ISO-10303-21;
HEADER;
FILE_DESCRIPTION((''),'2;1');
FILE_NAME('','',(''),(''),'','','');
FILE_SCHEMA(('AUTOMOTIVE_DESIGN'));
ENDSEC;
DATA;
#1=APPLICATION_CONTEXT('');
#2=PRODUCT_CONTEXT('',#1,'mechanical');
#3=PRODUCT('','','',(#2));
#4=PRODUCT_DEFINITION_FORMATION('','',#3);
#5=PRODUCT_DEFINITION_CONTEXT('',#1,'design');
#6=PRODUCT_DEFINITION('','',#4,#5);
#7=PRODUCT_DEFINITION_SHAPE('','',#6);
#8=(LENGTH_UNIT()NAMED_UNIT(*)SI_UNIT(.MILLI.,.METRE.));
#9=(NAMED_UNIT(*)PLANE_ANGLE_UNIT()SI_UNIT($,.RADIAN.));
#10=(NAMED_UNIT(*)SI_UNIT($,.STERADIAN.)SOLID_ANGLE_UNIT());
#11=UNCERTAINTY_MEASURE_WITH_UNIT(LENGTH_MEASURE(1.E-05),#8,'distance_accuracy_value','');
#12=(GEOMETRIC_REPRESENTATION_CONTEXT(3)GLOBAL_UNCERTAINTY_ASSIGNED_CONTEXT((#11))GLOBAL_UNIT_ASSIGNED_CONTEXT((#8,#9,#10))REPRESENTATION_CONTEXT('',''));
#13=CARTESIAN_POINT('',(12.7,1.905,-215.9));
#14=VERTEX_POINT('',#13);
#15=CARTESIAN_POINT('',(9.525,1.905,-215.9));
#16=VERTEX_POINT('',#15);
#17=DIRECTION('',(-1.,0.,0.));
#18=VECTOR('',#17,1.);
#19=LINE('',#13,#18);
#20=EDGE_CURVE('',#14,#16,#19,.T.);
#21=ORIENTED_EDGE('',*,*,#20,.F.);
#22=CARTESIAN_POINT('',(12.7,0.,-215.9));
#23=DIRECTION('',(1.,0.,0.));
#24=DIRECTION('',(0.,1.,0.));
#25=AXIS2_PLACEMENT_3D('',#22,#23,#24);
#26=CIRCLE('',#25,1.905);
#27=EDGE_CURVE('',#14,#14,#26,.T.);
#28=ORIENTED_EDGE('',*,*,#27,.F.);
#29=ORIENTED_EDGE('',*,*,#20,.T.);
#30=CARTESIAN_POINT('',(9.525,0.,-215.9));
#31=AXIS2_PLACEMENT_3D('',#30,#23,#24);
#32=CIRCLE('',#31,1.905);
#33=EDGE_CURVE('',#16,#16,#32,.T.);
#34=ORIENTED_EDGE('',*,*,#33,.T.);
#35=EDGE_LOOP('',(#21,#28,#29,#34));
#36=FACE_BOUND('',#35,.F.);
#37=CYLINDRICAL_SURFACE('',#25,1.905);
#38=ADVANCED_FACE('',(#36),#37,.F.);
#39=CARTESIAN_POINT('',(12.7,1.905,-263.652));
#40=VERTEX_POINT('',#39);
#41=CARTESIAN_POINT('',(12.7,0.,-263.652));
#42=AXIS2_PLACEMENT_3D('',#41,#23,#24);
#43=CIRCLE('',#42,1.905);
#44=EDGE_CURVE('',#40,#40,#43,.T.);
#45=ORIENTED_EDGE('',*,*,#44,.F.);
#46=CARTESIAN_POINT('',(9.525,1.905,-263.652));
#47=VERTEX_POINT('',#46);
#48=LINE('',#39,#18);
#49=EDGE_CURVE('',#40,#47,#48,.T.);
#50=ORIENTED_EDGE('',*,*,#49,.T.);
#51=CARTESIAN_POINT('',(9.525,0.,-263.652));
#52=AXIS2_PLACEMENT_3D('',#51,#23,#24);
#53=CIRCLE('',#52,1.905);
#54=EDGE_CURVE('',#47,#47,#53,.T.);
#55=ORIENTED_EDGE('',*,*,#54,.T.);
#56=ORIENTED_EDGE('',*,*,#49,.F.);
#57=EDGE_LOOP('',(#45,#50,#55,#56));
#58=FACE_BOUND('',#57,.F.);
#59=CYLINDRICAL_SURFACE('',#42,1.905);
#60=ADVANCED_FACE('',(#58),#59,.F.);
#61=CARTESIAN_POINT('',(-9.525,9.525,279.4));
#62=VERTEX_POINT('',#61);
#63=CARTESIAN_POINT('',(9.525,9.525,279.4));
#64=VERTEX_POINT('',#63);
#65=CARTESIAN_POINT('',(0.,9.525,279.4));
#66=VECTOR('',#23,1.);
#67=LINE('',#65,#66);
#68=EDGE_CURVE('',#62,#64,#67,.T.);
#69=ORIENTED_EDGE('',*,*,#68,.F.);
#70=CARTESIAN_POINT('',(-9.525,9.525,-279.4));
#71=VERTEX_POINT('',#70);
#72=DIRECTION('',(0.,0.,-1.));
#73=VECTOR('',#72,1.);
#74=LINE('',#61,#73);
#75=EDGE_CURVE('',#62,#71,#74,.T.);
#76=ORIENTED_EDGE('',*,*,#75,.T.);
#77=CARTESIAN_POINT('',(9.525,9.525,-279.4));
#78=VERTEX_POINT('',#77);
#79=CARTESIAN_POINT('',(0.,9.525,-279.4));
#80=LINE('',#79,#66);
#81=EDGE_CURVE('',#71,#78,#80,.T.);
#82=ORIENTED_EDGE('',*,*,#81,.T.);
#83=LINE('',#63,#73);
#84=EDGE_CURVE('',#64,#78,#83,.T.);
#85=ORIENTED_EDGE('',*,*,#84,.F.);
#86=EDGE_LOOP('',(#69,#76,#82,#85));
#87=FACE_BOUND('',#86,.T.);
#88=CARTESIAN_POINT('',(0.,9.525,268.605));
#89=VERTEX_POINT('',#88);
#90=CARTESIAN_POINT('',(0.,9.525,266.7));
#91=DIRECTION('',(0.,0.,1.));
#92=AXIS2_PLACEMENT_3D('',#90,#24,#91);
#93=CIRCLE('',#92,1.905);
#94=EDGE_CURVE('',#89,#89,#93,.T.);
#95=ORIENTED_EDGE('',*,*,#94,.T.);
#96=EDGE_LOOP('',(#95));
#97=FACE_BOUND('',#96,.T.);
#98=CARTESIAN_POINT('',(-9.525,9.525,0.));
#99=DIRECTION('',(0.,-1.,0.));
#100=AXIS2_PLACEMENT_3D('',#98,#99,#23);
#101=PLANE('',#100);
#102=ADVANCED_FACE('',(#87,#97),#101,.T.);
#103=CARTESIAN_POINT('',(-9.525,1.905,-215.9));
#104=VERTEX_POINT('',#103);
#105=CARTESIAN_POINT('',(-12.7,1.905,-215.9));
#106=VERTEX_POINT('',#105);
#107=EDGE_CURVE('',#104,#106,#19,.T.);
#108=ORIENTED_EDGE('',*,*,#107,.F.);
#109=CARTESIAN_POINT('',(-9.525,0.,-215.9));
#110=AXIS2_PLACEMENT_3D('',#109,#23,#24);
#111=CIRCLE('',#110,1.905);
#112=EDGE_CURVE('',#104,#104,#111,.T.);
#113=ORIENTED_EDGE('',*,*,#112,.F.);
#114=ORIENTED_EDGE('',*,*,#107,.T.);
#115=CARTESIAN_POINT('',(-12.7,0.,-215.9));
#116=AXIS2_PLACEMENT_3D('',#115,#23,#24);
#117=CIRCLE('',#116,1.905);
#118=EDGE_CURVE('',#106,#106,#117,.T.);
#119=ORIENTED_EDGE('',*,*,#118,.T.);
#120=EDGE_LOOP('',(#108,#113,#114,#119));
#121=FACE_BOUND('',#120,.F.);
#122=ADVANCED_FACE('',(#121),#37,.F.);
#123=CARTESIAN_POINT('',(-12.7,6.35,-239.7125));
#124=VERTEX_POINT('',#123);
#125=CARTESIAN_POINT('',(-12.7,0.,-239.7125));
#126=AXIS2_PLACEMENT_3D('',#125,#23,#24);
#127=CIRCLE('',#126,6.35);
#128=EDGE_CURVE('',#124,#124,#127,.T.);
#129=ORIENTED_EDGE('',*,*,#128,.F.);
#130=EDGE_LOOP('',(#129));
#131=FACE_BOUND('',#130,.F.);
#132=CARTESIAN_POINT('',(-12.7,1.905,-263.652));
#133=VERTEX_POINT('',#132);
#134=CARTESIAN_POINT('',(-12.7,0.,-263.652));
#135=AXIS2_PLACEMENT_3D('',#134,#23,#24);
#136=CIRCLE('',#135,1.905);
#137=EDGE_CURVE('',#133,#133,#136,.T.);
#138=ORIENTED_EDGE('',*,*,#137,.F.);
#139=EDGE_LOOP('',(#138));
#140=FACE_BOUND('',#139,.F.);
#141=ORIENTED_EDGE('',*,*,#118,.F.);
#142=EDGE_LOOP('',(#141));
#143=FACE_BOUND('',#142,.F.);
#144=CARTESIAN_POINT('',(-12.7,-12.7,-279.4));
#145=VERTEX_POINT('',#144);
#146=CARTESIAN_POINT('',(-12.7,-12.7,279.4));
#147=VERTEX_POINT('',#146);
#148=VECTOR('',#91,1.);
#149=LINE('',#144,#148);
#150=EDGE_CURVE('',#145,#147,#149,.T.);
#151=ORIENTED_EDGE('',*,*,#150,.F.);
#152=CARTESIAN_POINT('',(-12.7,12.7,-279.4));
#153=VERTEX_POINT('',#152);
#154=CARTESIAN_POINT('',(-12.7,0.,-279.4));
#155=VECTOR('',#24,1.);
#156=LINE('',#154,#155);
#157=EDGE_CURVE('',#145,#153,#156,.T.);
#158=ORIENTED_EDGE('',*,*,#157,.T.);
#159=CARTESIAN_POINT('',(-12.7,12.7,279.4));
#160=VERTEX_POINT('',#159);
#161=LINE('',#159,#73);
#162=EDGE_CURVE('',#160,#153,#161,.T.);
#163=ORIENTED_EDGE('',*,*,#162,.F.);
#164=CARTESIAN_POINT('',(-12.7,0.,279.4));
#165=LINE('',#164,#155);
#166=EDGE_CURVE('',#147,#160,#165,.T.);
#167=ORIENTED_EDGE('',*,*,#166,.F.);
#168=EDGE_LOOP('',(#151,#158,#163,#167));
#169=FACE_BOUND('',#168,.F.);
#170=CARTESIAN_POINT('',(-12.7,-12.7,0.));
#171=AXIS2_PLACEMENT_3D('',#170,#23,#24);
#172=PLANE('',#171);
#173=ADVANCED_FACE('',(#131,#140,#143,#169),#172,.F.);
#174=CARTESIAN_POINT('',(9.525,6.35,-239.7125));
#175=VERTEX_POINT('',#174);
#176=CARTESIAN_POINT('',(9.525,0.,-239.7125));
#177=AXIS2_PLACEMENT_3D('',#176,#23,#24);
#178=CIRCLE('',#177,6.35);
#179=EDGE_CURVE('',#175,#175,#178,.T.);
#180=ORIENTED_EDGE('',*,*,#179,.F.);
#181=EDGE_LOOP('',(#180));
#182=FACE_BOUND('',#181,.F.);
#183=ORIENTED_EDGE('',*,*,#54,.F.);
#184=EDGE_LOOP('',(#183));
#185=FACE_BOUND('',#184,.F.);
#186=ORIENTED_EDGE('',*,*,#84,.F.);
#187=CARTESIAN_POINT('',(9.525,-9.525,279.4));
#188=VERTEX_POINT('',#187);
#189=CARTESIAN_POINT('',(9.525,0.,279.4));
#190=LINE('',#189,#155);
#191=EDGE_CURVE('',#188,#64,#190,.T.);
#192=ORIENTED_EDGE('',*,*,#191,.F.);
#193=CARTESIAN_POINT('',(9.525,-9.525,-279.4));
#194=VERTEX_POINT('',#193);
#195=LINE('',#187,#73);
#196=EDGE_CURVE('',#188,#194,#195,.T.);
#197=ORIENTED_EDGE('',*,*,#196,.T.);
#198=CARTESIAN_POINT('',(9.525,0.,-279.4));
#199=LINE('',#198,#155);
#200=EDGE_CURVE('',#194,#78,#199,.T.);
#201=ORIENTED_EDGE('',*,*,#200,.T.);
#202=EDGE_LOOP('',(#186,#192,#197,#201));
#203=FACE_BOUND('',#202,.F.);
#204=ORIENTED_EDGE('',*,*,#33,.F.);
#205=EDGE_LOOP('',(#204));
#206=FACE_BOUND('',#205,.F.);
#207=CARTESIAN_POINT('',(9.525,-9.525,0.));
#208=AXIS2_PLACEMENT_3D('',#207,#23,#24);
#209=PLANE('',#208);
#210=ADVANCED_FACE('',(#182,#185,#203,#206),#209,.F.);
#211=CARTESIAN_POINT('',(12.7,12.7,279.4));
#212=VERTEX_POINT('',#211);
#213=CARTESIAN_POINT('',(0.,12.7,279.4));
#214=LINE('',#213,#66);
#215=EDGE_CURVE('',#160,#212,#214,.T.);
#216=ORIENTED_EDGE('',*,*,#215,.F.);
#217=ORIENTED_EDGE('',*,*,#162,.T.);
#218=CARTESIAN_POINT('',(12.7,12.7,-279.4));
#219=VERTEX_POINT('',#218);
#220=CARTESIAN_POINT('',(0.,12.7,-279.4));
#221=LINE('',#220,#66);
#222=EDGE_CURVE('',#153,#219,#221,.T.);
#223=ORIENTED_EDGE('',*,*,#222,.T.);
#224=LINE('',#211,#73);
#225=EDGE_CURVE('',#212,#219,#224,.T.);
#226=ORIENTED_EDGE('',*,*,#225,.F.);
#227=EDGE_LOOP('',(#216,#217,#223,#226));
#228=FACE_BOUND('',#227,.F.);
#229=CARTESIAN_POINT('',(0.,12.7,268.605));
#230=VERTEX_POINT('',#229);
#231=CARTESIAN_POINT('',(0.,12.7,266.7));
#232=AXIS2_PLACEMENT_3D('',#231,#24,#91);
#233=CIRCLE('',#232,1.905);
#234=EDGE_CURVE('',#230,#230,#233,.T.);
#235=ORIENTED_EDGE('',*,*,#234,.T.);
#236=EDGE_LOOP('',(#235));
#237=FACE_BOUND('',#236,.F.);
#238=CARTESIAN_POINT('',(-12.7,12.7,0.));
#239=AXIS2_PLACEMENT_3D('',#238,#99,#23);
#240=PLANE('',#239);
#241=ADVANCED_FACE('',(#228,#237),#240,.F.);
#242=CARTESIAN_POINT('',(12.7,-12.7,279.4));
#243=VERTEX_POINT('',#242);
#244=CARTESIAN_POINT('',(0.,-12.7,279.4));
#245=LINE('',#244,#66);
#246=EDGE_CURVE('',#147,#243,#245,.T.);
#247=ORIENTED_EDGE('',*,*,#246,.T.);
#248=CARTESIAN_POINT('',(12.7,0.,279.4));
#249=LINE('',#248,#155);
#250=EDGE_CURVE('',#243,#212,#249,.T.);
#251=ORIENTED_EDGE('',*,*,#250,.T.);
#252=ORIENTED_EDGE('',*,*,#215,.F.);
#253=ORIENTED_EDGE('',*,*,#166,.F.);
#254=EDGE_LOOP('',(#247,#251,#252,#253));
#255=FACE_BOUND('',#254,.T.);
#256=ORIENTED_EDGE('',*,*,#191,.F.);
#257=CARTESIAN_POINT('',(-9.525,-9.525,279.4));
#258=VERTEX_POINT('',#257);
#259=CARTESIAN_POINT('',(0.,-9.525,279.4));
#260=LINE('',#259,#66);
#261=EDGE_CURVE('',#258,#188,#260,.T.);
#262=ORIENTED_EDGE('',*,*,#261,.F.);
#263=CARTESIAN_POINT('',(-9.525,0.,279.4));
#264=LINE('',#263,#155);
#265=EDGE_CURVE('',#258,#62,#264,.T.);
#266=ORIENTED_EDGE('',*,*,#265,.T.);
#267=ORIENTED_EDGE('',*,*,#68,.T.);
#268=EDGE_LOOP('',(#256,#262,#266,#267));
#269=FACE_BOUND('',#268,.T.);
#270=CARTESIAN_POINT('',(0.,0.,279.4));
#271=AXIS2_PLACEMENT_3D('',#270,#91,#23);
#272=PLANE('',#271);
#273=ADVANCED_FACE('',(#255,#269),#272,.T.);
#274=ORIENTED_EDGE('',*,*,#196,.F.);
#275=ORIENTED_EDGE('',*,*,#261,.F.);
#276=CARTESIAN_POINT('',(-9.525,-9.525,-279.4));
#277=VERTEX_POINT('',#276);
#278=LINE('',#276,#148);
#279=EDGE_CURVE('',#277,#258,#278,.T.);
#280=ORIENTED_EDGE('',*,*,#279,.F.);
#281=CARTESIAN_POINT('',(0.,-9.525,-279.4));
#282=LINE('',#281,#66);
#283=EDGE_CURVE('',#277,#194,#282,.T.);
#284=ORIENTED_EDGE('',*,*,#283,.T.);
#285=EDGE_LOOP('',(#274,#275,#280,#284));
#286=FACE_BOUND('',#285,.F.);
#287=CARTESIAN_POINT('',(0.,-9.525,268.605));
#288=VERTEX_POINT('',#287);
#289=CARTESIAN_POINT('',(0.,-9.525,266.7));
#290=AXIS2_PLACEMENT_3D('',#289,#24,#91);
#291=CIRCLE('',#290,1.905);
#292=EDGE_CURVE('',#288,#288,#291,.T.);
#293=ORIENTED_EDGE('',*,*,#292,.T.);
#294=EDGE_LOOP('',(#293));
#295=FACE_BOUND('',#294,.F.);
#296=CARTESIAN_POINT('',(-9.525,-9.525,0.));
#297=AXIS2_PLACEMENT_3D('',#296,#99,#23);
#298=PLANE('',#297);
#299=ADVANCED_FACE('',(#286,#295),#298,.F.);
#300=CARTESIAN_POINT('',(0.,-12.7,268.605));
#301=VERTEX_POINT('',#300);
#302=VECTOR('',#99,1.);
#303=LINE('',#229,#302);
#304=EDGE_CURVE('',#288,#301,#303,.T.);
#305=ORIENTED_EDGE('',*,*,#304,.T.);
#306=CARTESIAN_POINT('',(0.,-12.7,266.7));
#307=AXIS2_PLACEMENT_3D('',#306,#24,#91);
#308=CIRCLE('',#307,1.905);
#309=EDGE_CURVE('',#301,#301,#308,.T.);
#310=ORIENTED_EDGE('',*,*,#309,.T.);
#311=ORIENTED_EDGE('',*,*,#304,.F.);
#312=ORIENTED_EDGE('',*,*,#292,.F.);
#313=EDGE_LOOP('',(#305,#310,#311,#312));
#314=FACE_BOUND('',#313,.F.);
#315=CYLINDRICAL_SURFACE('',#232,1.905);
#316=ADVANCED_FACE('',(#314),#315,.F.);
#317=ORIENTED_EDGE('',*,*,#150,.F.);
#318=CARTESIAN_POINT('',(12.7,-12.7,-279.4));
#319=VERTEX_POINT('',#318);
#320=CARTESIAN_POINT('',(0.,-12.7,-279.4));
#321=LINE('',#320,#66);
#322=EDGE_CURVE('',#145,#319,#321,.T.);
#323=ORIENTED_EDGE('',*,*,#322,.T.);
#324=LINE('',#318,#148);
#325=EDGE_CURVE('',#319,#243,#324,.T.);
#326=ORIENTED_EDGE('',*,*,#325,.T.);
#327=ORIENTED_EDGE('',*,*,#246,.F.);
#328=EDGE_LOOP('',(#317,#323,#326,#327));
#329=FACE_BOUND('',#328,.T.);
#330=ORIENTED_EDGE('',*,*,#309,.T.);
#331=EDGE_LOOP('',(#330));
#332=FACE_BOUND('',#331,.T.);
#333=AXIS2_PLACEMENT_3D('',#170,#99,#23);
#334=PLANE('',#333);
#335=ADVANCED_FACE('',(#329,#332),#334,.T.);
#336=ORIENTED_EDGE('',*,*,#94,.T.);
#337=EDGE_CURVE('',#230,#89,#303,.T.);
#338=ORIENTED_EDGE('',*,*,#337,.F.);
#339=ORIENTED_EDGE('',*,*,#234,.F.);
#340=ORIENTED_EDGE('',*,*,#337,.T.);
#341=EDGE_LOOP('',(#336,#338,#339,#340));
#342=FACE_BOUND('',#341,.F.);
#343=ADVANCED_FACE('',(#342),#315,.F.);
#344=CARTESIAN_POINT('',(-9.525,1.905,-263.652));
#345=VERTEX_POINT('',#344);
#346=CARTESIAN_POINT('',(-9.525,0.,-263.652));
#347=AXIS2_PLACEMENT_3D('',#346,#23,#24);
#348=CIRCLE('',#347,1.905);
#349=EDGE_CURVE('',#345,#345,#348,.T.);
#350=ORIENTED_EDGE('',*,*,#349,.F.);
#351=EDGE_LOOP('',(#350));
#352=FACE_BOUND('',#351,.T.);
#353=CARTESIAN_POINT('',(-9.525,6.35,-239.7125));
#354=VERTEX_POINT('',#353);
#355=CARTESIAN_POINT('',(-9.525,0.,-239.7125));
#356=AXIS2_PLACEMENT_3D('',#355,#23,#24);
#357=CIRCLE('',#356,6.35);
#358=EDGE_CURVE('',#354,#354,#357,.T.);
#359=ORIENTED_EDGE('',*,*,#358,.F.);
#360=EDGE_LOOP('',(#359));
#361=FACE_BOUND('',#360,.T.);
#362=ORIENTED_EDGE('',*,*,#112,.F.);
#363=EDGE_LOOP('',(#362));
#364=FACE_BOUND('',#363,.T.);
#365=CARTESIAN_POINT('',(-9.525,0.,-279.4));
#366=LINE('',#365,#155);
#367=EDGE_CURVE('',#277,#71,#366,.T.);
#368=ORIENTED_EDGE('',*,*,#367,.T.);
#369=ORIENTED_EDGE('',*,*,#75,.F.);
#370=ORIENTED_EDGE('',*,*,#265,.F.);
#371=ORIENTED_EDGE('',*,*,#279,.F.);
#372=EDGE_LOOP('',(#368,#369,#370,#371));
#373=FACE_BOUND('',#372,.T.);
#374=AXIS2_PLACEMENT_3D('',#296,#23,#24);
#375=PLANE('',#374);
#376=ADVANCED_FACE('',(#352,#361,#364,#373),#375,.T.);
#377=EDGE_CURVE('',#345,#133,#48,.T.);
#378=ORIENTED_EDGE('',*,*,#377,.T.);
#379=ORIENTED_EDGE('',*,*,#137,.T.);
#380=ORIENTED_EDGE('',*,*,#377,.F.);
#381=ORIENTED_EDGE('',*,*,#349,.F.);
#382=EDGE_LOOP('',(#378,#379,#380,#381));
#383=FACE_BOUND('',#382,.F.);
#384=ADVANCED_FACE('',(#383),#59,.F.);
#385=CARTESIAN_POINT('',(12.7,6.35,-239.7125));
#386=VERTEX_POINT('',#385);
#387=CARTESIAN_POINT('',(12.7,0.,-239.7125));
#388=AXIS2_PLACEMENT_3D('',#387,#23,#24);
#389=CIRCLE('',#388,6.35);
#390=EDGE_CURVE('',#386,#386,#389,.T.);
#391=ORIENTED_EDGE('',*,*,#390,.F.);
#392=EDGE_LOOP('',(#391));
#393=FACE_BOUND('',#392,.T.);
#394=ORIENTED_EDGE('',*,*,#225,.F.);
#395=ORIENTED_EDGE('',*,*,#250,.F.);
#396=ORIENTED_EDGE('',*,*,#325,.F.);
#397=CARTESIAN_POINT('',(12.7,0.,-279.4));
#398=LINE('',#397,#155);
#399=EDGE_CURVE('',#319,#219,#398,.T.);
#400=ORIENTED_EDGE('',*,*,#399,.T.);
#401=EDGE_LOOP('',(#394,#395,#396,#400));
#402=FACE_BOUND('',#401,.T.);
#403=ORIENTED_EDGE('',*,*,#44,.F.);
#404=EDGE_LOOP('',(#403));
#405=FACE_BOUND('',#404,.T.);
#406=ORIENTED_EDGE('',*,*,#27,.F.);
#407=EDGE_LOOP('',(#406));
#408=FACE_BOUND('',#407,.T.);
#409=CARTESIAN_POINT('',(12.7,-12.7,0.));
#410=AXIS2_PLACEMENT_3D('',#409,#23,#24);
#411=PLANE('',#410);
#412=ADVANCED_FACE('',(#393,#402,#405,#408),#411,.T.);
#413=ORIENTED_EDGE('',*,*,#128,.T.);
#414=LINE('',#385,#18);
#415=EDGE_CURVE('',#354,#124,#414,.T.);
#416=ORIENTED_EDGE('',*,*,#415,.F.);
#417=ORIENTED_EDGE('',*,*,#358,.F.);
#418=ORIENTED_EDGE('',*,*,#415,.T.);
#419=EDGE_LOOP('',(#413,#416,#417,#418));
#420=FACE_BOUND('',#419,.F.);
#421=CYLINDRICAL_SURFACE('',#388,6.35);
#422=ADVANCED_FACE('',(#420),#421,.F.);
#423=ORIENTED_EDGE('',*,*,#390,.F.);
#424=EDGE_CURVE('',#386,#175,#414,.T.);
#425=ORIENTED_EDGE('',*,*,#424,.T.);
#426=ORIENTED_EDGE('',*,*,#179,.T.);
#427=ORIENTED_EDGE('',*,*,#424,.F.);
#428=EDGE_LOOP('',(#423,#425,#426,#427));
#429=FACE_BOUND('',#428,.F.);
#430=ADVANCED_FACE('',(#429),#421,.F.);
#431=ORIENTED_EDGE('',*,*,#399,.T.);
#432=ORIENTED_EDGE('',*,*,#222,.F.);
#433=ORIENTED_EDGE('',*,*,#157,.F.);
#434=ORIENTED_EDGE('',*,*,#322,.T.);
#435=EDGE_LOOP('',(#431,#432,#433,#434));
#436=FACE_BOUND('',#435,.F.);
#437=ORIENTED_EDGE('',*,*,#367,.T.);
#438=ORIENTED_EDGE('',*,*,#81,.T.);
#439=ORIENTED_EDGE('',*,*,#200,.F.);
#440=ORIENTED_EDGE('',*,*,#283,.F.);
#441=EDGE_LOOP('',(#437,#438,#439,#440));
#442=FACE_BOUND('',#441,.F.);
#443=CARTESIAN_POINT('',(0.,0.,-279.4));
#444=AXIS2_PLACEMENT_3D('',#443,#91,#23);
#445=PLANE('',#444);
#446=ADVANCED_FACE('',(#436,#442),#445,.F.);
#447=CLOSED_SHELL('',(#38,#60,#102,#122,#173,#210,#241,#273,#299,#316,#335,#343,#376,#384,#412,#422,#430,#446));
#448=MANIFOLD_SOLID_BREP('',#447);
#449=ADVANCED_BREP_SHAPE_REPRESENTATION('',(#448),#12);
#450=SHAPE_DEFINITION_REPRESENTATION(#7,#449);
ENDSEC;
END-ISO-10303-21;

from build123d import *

# Parameters (mm, degrees)
SKETCH1_W           = 25.4
SKETCH1_H           = 25.4
SKETCH1_W_2         = 19.05
SKETCH1_H_2         = 19.05
BOSS_EXTRUDE1_DEPTH = 279.4
SKETCH7_R           = 1.905
CUT_EXTRUDE1_DEPTH  = 281.839473721
SKETCH8_R           = 1.905
SKETCH8_R_2         = 6.35
CUT_EXTRUDE2_DEPTH  = 281.839473721


with BuildPart() as part:
    # Sketch1 → Boss-Extrude1 (new, symmetric)
    with BuildSketch(Plane.XY):
        Rectangle(SKETCH1_W, SKETCH1_H)
        Rectangle(SKETCH1_W_2, SKETCH1_H_2, mode=Mode.SUBTRACT)
    extrude(amount=BOSS_EXTRUDE1_DEPTH, both=True)

    # Sketch7 → Cut-Extrude1 (cut, through all)
    with BuildSketch(Plane(origin=(0, 12.7, 0), x_dir=(1, 0, 0), z_dir=(0, 1, 0))):
        with Locations(Location((0, -266.7, 0), (0, 0, 270))):
            Circle(SKETCH7_R)
    extrude(amount=-CUT_EXTRUDE1_DEPTH, mode=Mode.SUBTRACT)

    # Sketch8 → Cut-Extrude2 (cut, through all)
    with BuildSketch(Plane(origin=(12.7, 0, 0), x_dir=(0, 0, -1), z_dir=(1, 0, 0))):
        with Locations(Location((215.9, 0, 0), (0, 0, 90))):
            Circle(SKETCH8_R)
        with Locations(Location((263.652, 0, 0), (0, 0, 90))):
            Circle(SKETCH8_R)
        with Locations(Location((239.7125, 0, 0), (0, 0, 90))):
            Circle(SKETCH8_R_2)
    extrude(amount=-CUT_EXTRUDE2_DEPTH, mode=Mode.SUBTRACT)


solid = part.part
